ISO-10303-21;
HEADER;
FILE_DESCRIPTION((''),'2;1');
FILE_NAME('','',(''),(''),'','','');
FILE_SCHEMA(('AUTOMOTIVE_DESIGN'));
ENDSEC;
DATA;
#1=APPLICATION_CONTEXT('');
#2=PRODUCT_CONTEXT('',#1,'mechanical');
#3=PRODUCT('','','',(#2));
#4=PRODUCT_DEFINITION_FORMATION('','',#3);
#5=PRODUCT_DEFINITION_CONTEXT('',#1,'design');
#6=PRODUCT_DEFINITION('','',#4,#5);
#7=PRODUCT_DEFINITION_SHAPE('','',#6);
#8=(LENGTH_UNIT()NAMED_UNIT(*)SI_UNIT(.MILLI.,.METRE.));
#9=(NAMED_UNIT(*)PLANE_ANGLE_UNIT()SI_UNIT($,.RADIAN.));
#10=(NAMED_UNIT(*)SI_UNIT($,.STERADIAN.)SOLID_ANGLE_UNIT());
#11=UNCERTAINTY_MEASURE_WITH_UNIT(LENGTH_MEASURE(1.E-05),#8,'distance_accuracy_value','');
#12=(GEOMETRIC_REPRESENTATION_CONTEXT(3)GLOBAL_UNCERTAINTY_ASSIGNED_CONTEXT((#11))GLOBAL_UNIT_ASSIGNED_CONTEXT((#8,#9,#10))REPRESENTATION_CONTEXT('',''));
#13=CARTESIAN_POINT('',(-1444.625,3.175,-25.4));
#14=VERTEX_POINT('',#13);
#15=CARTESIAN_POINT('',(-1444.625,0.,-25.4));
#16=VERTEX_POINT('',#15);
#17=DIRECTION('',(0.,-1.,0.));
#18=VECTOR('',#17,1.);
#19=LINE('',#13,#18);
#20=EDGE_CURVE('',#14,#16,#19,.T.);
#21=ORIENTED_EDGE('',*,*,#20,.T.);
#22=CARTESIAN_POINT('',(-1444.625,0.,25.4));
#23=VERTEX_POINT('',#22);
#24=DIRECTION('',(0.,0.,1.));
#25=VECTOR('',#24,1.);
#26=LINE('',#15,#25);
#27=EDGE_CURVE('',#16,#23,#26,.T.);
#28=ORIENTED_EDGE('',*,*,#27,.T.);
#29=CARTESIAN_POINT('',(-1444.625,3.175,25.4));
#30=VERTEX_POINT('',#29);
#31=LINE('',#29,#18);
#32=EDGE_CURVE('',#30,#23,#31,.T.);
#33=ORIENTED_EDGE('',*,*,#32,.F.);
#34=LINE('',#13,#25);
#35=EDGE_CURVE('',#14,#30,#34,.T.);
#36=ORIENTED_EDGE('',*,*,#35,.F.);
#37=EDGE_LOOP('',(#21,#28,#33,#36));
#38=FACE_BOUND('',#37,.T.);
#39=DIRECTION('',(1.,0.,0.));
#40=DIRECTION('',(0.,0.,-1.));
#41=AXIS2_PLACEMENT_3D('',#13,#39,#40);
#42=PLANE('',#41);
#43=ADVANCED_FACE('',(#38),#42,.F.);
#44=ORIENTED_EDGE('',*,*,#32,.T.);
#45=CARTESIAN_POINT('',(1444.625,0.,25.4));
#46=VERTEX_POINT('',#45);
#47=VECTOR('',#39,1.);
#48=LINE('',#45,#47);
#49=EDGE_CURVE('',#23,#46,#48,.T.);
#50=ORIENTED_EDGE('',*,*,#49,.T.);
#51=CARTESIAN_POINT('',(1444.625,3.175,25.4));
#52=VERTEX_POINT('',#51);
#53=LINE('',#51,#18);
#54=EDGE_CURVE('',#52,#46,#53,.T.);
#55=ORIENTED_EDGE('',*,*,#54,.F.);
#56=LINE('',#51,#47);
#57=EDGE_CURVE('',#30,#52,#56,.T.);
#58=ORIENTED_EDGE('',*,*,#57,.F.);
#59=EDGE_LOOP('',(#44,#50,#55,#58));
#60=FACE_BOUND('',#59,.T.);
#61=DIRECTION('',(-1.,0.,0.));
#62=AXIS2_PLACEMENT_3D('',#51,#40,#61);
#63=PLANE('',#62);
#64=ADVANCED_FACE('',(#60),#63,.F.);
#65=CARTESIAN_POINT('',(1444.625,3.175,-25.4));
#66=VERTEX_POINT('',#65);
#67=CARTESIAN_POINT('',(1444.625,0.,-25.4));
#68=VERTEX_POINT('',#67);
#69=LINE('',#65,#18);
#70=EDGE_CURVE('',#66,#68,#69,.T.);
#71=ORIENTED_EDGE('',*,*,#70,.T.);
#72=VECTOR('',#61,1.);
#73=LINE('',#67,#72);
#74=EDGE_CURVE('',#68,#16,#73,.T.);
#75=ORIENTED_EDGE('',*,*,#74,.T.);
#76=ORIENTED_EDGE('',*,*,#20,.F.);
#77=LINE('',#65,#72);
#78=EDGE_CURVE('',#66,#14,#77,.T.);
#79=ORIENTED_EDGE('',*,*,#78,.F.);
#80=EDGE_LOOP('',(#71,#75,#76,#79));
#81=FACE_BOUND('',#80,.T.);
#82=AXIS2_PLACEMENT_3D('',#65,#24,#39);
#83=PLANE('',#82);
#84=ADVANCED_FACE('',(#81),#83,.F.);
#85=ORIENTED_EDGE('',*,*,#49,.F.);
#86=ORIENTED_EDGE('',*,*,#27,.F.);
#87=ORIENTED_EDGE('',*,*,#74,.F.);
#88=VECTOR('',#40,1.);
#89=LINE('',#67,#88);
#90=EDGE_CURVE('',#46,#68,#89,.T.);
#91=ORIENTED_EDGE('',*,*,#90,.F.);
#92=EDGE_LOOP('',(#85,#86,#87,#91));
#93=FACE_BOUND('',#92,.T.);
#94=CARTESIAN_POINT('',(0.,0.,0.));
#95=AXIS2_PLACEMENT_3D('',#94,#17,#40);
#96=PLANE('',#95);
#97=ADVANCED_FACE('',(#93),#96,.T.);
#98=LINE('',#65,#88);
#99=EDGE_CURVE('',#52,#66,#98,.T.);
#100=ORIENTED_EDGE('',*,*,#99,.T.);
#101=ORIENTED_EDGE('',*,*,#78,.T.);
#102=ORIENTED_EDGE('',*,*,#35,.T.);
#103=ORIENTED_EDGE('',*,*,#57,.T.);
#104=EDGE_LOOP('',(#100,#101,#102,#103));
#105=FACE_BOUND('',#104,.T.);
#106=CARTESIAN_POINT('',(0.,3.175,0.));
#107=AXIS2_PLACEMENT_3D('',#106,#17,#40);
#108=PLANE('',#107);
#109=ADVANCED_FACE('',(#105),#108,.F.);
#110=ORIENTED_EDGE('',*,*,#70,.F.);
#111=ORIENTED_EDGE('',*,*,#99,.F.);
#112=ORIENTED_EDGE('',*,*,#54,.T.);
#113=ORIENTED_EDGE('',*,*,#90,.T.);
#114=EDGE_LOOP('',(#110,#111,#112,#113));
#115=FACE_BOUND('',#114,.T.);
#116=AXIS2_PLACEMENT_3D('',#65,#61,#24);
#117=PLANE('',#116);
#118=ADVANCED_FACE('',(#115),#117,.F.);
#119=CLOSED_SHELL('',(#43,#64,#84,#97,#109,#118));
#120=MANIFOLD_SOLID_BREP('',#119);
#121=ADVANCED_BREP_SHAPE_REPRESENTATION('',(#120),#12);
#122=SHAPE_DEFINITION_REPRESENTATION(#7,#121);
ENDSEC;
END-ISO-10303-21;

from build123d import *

# Parameters (mm, degrees)
SKETCH1_W           = 2889.25
SKETCH1_H           = 50.8
BOSS_EXTRUDE1_DEPTH = 3.175


with BuildPart() as part:
    # Sketch1 → Boss-Extrude1 (new body)
    with BuildSketch(Plane(origin=(0, 0, 0), x_dir=(1, 0, 0), z_dir=(0, 1, 0))):
        Rectangle(SKETCH1_W, SKETCH1_H)
    extrude(amount=BOSS_EXTRUDE1_DEPTH)


solid = part.part
